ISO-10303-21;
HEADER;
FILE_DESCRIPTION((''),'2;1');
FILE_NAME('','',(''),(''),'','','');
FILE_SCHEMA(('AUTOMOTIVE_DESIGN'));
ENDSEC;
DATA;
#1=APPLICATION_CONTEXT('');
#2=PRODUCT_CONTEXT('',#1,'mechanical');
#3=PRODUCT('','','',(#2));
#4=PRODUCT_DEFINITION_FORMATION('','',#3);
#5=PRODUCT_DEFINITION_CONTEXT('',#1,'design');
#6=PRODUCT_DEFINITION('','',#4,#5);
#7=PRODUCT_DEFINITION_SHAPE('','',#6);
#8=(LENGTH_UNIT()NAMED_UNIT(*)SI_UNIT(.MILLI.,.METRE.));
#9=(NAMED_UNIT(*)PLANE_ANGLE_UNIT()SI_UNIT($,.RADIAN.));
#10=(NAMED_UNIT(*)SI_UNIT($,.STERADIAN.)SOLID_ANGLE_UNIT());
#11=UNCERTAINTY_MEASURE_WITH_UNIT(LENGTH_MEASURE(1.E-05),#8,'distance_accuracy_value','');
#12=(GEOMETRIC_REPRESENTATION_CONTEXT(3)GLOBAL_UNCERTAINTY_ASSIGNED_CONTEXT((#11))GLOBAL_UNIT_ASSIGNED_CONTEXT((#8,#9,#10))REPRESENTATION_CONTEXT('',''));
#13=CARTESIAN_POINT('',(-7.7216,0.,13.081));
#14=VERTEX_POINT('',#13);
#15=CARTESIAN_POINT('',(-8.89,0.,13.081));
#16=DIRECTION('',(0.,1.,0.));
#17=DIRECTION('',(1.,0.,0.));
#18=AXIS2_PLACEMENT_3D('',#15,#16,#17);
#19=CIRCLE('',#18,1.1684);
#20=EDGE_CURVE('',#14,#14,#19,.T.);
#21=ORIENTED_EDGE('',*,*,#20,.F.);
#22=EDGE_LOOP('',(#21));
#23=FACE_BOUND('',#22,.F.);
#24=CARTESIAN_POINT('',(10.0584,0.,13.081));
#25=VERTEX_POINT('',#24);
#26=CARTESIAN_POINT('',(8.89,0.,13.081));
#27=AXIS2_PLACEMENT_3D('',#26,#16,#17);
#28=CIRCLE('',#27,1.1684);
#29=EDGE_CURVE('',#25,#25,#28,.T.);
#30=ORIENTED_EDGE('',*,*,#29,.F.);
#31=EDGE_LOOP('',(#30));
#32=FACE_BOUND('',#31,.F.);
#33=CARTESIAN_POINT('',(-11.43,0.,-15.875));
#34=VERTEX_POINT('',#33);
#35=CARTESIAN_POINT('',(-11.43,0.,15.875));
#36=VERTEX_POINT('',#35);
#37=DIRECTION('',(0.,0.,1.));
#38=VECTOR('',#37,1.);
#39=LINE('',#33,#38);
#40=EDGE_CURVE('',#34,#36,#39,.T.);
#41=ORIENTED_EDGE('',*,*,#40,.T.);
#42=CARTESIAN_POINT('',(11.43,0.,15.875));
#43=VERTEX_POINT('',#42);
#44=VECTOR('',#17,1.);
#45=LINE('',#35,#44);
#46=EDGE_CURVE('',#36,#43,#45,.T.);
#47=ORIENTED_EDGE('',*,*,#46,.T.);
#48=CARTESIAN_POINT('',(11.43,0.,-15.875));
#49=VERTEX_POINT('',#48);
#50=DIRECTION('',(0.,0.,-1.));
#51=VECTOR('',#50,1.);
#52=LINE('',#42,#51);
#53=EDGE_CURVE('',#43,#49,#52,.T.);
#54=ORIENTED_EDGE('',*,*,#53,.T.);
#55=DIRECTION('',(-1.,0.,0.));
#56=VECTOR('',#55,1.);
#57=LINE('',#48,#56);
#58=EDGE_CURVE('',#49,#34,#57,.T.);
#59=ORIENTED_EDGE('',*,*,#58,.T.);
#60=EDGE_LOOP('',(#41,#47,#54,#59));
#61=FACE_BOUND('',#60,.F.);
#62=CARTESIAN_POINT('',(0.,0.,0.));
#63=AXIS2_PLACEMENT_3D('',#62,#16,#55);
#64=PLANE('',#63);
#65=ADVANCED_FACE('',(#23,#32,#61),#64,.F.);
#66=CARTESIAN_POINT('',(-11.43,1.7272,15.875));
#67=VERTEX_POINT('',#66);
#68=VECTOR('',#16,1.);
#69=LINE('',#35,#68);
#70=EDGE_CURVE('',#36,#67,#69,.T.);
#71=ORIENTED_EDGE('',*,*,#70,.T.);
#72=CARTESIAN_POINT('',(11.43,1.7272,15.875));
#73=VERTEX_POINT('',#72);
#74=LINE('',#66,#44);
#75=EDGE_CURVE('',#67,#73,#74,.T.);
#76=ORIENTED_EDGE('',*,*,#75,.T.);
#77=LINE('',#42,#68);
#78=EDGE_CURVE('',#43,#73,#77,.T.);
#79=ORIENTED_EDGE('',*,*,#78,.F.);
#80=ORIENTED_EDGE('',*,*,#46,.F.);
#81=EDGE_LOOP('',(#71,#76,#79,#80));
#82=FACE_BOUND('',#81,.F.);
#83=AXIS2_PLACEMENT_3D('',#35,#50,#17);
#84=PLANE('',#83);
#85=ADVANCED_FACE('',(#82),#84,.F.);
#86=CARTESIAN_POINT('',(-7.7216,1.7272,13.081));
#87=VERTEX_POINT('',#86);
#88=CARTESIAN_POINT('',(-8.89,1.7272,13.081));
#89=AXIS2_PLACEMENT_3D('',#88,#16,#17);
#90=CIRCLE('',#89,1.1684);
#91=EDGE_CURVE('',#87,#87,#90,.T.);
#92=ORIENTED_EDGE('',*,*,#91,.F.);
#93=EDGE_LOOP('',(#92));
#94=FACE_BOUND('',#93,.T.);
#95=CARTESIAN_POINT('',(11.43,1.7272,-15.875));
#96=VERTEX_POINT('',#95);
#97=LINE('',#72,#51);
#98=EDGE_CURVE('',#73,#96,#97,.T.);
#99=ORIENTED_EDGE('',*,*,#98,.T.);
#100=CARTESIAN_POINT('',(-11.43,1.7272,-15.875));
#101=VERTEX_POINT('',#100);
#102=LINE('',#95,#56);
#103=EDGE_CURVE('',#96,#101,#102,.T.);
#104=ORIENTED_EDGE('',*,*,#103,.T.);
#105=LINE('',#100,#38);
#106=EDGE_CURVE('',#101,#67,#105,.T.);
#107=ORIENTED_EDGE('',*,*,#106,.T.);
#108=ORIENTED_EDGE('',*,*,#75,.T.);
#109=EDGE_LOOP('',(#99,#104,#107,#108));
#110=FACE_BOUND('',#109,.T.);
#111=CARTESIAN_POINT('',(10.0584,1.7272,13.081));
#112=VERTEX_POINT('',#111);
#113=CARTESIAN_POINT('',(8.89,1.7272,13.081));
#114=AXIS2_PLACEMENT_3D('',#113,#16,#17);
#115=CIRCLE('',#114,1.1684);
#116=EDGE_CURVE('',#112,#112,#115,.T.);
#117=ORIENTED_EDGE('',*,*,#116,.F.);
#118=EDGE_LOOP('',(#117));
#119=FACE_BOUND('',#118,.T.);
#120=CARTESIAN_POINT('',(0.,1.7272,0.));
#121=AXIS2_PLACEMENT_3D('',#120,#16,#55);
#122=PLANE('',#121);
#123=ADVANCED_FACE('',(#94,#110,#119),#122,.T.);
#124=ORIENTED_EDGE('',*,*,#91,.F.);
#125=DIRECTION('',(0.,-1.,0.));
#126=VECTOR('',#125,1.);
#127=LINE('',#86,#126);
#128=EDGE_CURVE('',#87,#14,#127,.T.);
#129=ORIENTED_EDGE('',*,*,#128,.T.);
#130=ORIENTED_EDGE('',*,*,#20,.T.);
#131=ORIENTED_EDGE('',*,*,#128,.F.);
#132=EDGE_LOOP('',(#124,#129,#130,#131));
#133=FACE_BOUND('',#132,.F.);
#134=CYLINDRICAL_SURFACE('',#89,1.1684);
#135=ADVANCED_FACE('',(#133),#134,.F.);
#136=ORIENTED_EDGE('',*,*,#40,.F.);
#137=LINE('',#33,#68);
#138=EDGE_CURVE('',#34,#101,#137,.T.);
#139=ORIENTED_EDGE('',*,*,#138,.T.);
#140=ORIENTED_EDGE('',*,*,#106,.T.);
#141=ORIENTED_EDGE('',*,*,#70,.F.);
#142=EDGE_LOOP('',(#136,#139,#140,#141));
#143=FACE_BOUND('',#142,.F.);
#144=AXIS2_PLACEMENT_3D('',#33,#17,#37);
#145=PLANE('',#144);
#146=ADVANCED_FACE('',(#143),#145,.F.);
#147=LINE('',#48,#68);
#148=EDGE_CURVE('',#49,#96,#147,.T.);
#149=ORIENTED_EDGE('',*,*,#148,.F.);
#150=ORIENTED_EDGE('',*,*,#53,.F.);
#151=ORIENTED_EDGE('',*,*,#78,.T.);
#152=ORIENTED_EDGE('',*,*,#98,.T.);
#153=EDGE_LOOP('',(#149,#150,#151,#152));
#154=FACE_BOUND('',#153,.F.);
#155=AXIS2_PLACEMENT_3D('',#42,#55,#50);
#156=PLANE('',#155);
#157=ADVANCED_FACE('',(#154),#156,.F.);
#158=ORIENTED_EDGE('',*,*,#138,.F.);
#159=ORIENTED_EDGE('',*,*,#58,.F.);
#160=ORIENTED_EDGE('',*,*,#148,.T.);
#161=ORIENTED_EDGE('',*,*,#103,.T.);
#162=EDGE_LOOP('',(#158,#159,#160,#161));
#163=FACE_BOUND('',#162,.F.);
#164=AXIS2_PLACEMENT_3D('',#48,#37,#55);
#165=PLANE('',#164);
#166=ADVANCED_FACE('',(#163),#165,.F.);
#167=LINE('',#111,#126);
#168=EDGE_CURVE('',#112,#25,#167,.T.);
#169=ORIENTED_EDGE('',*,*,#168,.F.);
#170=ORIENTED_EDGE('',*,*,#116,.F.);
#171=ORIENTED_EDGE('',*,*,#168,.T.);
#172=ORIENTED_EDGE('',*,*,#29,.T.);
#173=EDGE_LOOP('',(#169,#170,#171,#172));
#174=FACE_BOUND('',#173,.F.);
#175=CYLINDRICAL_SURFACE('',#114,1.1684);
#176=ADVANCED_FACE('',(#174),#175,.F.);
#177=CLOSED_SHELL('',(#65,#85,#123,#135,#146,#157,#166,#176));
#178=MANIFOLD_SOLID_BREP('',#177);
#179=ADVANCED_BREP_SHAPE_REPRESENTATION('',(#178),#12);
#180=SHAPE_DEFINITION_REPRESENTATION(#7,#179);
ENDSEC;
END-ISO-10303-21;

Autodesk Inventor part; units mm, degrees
ref_plane "XZ Plane" through (0, 0, 0) normal (0, 1, 0) x (-1, 0, 0)
sketch "Sketch1" plane through (0, 0, 0) normal (0, 1, 0) x (-1, 0, 0)
  line L0 (11.43, 15.875) -> (-11.43, 15.875)
  line L1 (-11.43, 15.875) -> (-11.43, -15.875)
  line L2 (-11.43, -15.875) -> (11.43, -15.875)
  line L3 (11.43, -15.875) -> (11.43, 15.875)
  line L4 (11.43, 15.875) -> (-11.43, -15.875) construction
  line L5 (-11.43, 15.875) -> (11.43, -15.875) construction
  point P0 (0, 0)
  dimension "d0" = 22.86
  dimension "d1" = 31.75
extrude "Extrusion1" add sketch "Sketch1" along normal blind 1.7272
sketch "Sketch2" plane through (0, 1.7272, 0) normal (0, 1, 0) x (1, 0, 0)
  line L0 (-11.2735, -13.081) -> (11.43, -13.081) construction
  line L1 (11.43, -15.875) -> (11.43, 15.875) construction
  circle A0 centre (-8.89, -13.081) radius 1.1684
  circle A1 centre (8.89, -13.081) radius 1.1684
  line L2 (-11.43, -15.875) -> (11.43, -15.875) projected
  line L3 (-11.43, 15.875) -> (-11.43, -15.875) projected
  point P0 (0, 0)
  dimension "d4" = 2.794
  dimension "d5" = 2.54
  dimension "d6" = 2.54
  dimension "d7" = 2.3368
  dimension "d8" = 2.3368
extrude "Extrusion2" cut sketch "Sketch2" against normal through all
equation "\"d0\" = boardWidth"
equation "\"d1\" = boardLength"
equation "\"d2\" = boardThickness"
equation "\"d4\" = centerLineForHoles"
equation "\"d5\" = holeDistanceFromEdge"
equation "\"d6\" = holeDistanceFromEdge"
equation "\"d7\" = holeDiam"
equation "\"d8\" = holeDiam"
equation "\"d9\" = boardThickness"
equation "\"boardWidth\" = 22.86"
equation "\"boardLength\" = 31.75"
equation "\"boardThickness\" = 1.7272"
equation "\"componentHeightAboveBoard\" = 3.9878"
equation "\"headerHeightAboveBard\" = 8.7376"
equation "\"holeDiam\" = 2.3368"
equation "\"centerLineForHoles\" = 2.794"
equation "\"holeDistanceFromEdge\" = 2.54"
equation "\"supportWidth\" = 25.4"
properties part number "ADXL_345" material "ABS Plastic"
